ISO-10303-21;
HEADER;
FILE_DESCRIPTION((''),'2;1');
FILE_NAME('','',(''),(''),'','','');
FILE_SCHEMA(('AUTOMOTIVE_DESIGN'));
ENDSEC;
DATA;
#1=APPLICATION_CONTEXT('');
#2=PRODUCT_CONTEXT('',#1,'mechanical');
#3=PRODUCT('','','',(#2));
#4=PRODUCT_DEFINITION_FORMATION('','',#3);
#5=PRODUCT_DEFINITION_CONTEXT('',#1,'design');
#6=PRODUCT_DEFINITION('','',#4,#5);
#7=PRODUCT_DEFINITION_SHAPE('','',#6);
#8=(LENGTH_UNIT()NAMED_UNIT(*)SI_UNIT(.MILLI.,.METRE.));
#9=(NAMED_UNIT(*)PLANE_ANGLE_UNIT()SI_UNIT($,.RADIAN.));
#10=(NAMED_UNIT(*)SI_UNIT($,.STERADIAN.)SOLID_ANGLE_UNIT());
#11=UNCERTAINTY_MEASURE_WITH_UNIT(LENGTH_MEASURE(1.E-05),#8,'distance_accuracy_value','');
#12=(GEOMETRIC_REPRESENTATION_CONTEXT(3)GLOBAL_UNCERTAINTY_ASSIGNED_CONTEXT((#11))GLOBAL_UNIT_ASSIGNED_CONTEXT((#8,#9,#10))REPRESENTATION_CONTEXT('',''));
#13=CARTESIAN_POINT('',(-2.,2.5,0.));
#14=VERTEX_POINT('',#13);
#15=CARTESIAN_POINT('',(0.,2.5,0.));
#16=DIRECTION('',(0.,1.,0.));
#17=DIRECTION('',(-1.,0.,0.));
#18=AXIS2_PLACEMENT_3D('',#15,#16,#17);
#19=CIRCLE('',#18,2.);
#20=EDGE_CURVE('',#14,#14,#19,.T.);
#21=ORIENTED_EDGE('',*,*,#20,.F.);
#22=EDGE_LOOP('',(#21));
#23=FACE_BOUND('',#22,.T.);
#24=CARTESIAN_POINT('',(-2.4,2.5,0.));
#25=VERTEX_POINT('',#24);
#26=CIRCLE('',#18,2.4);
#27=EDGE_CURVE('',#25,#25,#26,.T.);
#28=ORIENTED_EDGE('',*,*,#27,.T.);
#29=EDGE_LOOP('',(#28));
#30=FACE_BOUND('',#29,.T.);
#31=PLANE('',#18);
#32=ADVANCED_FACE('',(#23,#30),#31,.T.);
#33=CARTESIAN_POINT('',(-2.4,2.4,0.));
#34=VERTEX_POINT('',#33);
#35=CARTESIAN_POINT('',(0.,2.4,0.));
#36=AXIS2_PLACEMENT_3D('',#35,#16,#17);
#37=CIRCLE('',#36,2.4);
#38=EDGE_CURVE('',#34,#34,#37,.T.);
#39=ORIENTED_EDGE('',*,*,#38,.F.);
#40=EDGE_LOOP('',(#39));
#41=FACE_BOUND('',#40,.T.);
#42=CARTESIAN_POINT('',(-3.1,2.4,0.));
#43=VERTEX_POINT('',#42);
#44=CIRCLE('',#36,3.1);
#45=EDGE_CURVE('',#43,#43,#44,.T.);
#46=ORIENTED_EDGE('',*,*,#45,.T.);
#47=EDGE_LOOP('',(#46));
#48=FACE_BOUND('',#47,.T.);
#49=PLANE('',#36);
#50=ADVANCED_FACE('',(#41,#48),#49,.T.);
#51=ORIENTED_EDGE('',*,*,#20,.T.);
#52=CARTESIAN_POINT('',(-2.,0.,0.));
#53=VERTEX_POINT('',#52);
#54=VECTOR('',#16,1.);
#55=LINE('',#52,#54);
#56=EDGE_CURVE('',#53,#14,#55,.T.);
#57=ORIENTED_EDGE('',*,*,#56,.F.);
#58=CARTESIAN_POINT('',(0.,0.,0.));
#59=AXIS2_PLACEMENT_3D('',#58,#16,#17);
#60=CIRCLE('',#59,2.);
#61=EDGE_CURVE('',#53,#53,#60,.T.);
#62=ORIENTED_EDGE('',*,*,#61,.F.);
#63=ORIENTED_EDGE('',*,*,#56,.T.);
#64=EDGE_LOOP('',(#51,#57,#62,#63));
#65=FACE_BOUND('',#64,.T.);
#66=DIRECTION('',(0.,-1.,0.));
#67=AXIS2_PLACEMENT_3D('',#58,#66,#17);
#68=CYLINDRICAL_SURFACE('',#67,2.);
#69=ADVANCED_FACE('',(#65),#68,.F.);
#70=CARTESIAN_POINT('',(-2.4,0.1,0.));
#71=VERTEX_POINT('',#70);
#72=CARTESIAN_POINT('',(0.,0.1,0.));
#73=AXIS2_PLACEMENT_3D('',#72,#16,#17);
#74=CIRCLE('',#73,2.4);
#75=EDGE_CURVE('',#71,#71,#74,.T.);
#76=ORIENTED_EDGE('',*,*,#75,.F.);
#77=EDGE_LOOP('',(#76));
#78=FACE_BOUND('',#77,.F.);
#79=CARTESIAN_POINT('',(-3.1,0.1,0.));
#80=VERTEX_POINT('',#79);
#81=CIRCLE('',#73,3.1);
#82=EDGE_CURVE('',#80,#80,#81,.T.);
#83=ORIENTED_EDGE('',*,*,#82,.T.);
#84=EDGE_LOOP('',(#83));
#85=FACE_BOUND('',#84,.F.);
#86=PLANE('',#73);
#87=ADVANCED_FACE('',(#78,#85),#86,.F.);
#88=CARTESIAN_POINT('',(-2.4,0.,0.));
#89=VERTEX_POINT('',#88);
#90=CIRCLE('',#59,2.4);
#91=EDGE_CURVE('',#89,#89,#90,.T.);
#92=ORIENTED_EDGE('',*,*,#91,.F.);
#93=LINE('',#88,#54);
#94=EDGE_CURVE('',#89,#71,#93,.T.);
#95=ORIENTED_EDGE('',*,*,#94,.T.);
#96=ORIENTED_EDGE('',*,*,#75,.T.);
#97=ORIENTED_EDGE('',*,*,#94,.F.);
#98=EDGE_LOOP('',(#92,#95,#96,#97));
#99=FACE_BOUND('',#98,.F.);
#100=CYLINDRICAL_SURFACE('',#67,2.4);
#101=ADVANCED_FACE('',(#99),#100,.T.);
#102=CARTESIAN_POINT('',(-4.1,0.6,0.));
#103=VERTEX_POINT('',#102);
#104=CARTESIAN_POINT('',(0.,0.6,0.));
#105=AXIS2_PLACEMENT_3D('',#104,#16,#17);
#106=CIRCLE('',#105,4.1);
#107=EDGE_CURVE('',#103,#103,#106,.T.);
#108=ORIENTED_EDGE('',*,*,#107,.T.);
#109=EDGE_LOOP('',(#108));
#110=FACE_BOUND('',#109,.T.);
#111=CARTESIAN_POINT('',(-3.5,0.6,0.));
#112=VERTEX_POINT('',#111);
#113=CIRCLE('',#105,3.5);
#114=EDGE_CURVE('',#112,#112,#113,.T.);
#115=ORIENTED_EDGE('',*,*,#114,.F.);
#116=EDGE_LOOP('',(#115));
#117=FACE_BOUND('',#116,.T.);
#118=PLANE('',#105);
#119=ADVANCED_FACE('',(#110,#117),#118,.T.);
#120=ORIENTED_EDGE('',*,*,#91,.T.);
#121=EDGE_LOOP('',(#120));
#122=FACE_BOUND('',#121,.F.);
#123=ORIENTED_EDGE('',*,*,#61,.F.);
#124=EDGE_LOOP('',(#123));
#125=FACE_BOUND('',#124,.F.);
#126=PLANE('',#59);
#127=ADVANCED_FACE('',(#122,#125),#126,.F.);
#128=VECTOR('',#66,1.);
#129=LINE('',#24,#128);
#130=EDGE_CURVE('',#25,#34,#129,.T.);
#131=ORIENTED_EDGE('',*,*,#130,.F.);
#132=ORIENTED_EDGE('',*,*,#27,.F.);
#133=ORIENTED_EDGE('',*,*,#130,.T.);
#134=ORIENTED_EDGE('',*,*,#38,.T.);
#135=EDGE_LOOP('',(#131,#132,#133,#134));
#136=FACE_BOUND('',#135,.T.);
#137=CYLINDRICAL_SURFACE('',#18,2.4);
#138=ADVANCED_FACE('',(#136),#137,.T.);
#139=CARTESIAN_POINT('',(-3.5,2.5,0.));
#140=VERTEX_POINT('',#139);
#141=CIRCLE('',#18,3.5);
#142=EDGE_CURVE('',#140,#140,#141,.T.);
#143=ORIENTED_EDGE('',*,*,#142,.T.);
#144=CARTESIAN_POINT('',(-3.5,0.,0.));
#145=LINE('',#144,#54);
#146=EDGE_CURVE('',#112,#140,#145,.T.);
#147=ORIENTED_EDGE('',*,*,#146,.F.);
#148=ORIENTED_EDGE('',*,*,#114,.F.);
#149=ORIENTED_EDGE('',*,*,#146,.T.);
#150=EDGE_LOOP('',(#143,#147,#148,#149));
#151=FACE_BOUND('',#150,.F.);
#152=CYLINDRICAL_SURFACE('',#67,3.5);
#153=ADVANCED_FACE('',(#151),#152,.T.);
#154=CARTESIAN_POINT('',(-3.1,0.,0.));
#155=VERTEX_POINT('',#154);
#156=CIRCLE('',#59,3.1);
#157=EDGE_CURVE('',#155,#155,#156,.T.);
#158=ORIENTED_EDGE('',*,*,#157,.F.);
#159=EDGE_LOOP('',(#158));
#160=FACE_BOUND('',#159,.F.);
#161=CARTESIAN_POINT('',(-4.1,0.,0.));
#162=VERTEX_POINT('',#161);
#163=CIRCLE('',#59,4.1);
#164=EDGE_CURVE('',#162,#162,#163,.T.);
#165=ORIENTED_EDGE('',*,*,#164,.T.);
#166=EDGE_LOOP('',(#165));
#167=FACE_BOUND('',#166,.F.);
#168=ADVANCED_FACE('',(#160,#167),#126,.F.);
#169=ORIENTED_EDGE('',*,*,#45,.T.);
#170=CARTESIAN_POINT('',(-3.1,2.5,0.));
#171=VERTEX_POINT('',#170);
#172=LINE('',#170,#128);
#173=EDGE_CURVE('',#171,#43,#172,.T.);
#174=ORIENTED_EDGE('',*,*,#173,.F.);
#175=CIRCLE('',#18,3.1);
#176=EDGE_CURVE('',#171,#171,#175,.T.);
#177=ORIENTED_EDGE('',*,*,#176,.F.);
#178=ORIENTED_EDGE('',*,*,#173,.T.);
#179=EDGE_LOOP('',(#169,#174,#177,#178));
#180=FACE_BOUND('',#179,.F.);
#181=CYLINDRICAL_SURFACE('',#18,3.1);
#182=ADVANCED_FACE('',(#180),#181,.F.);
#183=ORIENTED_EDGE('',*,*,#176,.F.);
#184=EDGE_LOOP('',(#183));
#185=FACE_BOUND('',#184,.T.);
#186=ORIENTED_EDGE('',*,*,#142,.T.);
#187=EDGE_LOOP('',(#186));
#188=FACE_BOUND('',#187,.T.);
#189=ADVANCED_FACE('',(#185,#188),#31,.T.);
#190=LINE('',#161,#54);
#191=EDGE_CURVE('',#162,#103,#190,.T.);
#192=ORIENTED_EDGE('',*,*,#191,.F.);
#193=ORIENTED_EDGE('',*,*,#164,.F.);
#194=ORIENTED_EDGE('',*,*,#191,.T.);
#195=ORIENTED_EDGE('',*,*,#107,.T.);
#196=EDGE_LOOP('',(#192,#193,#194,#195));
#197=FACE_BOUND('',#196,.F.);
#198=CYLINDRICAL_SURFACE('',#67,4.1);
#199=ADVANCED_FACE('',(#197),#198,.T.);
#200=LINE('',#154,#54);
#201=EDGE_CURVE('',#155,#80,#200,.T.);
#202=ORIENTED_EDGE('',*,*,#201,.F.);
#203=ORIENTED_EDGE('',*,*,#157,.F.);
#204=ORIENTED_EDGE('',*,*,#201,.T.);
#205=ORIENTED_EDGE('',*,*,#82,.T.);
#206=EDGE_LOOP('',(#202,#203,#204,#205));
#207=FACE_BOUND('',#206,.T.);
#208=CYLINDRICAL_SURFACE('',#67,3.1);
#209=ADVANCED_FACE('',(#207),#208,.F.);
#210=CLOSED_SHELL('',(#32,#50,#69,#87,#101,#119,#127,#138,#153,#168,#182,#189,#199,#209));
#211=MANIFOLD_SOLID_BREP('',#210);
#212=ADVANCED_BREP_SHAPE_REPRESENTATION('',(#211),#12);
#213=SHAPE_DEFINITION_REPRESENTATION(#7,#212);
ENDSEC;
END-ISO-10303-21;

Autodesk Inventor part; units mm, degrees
ref_plane "YZ Plane" through (0, 0, 0) normal (1, 0, 0) x (0, 1, 0)
ref_plane "XZ Plane" through (0, 0, 0) normal (0, 1, 0) x (-1, 0, 0)
ref_plane "XY Plane" through (0, 0, 0) normal (0, 0, 1) x (1, 0, 0)
sketch "Sketch1" plane through (0, 0, 0) normal (0, 1, 0) x (-1, 0, 0)
  circle A0 centre (0, 0) radius 3.5
  circle A1 centre (0, 0) radius 2
  circle A2 centre (0, 0) radius 4.1
  circle A3 centre (0, 0) radius 2.4
  circle A4 centre (0, 0) radius 3.1
  dimension "d0" = 7
  dimension "d1" = 4
  dimension "d2" = 8.2
  dimension "d3" = 0.4
  dimension "d4" = 0.4
extrude "Extrusion1" add sketch "Sketch1" along normal blind 2.5 contours A0 | A3 | A4
extrude "Extrusion2" add sketch "Sketch1" along normal blind 0.6 contours A2
extrude "Extrusion3" cut sketch "Sketch1" along normal blind 0.1 contours A4
extrude "Extrusion4" cut sketch "Sketch1" against normal blind 0.1 from surface at 2.5 contours A4
properties part number "Miniatur Flanschkugellager MF 74 ZZ"
